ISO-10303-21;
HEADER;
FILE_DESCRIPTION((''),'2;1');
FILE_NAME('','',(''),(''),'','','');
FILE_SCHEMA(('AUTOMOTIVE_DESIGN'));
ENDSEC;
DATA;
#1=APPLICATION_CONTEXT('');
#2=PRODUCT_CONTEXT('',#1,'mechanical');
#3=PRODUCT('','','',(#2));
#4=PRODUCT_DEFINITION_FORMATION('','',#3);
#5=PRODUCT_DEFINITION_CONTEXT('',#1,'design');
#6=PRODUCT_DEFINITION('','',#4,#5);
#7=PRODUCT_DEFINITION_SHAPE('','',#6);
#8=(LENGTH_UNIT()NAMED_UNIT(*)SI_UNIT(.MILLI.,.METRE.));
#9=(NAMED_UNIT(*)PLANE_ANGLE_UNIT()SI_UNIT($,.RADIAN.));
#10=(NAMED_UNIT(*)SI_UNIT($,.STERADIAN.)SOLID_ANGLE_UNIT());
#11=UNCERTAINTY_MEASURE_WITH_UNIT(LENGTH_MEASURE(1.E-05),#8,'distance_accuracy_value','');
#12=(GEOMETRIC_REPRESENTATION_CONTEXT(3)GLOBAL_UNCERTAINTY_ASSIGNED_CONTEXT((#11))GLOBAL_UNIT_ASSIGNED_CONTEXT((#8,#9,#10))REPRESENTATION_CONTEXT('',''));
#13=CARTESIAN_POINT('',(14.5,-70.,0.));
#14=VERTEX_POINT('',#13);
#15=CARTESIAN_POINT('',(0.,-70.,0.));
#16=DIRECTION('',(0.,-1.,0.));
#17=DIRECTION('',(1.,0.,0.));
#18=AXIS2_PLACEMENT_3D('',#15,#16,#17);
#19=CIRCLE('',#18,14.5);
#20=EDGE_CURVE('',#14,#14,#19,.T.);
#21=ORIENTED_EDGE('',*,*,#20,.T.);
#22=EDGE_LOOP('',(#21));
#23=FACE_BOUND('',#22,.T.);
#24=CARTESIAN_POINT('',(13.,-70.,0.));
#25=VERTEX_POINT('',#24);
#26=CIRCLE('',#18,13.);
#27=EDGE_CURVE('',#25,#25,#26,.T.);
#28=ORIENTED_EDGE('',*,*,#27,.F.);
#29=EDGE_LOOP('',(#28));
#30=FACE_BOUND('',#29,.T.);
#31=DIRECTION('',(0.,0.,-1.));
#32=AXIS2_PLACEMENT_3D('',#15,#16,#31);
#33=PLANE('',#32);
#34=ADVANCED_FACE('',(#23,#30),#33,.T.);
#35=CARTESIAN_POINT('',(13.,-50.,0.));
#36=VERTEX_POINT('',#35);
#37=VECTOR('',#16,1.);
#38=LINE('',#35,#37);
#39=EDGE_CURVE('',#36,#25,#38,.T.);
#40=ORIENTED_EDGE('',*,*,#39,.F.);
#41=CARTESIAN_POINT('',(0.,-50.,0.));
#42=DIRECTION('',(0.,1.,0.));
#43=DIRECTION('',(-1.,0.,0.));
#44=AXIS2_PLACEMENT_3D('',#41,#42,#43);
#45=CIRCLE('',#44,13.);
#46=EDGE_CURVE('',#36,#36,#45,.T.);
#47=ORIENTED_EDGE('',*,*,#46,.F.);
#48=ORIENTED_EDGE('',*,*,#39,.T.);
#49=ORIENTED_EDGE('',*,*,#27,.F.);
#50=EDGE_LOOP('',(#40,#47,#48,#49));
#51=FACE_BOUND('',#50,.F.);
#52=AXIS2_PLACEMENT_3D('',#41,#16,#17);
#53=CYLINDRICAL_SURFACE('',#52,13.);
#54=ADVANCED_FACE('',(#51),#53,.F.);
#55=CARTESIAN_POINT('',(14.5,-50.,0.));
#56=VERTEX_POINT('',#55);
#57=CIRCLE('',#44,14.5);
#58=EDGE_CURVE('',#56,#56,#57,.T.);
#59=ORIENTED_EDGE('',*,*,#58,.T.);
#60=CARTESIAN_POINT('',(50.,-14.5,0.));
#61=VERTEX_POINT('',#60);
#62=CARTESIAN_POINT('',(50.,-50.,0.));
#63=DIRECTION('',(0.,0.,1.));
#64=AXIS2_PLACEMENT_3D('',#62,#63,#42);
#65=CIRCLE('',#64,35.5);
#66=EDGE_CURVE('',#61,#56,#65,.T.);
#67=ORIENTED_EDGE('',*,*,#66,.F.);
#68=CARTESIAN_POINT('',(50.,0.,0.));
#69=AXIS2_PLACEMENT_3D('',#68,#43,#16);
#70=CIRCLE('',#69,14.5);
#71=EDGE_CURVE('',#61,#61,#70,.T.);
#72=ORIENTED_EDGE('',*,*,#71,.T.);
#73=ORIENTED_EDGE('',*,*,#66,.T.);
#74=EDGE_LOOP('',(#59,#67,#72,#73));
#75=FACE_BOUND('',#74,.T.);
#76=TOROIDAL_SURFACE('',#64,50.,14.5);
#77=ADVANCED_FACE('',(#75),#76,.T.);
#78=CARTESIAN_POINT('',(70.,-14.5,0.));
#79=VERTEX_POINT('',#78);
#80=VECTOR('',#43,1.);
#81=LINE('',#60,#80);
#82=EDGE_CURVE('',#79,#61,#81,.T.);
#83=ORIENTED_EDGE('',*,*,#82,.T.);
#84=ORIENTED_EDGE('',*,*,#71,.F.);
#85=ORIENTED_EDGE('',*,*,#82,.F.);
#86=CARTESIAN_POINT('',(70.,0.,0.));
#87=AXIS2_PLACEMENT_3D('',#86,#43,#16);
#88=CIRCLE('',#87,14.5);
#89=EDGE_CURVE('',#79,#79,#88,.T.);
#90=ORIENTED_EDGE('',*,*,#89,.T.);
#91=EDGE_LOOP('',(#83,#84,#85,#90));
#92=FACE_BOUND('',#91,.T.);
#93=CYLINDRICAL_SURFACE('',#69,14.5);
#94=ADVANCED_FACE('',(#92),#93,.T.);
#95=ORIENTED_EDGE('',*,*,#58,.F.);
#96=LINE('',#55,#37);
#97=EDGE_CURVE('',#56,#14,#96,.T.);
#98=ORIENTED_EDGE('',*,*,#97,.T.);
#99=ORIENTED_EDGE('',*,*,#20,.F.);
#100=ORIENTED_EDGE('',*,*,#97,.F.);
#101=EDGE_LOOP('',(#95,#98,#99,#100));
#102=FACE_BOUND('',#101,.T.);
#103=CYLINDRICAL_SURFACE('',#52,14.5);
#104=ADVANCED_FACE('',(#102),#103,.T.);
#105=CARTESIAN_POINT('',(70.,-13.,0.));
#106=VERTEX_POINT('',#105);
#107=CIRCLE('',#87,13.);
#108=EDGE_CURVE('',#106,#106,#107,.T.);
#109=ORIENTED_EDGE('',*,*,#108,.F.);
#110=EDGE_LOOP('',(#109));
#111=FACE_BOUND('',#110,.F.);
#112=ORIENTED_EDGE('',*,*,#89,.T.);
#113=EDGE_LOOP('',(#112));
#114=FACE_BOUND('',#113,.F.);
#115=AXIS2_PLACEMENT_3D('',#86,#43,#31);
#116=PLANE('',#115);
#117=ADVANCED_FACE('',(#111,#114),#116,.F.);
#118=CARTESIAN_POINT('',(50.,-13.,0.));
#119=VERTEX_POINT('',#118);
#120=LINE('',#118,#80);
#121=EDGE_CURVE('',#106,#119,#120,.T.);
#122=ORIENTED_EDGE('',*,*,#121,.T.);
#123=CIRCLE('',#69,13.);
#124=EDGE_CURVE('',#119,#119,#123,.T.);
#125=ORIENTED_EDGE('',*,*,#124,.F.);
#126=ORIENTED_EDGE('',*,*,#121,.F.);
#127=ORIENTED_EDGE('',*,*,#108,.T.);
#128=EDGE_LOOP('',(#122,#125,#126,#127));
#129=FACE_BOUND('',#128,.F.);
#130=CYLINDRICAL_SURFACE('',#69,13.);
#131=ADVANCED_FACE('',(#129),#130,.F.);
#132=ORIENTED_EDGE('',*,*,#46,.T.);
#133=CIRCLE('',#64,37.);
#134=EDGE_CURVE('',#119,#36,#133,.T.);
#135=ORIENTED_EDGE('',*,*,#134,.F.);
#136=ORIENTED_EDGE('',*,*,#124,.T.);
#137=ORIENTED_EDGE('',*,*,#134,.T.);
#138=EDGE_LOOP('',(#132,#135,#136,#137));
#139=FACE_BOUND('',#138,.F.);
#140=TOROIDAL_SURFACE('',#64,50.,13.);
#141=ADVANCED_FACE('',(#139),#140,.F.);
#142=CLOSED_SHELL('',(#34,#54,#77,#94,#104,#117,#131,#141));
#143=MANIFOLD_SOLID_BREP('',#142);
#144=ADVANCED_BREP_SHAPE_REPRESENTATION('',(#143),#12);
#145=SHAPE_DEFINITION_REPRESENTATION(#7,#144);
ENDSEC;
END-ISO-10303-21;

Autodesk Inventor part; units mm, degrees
ref_plane "YZ Plane" through (0, 0, 0) normal (1, 0, 0) x (0, 1, 0)
ref_plane "XZ Plane" through (0, 0, 0) normal (0, 1, 0) x (-1, 0, 0)
sketch "Szkic6" plane through (0, 0, 0) normal (0, 0, 1) x (1, 0, 0)
  line L0 (-29.6067, 0) -> (35.2678, 0) construction
  line L1 (0, 42.3419) -> (0, -58.3726) construction
  arc A0 (50, 0) -> (0, -50) centre (50, -50) ccw
  line L2 (0, -50) -> (50, -50) construction
  line L3 (50, -50) -> (50, 15.5331) construction
  line L4 (50, 0) -> (70, 0)
  line L5 (0, -50) -> (0, -70)
  point P0 (0, 0)
  dimension "d24" = 50
  dimension "d31" = 90
  dimension "d36" = 20
  dimension "d37" = 20
ref_plane "Płaszczyzna konstrukcyjna2" through (0, -50, 0) normal (0, -1, 0) x (1, 0, 0)
sketch "Szkic8" plane through (0, -50, 0) normal (0, -1, 0) x (1, 0, 0)
  circle A0 centre (0, 0) radius 14.5
  circle A1 centre (0, 0) radius 13
  dimension "d32" = 29
  dimension "d33" = 1.5
sweep "Przeciągnięcie2" add profiles "Szkic8" path "Szkic6"
equation "\"d32\" = OD"
equation "\"d33\" = THK"
equation "\"d24\" = R"
equation "\"d31\" = KAT"
equation "\"d36\" = PROSTKA"
equation "\"d37\" = PROSTKA"
equation "\"SzerokośćGięciaPodcięcia\" = Grubość"
equation "\"RozmiarPodcięciaNarożnika\" = 4 * Grubość"
equation "\"PromieńPrzejścia\" = PromieńGięcia"
equation "\"Rozmiar_promienia_Jacobiego\" = PromieńGięcia"
equation "\"Wielk_odstępu\" = Grubość"
equation "\"d2\" = PromieńGięcia"
equation "\"d23\" = PromieńGięcia"
equation "\"R\" = 50"
equation "\"OD\" = 29"
equation "\"THK\" = 1.5"
equation "\"KAT\" = 90deg"
equation "\"PROSTKA\" = 20"
equation "\"Grubość\" = 1.5"
equation "\"PromieńGięcia\" = 3"
properties part number "Kolano 90° ø29x1,5 R50" material "304L"
